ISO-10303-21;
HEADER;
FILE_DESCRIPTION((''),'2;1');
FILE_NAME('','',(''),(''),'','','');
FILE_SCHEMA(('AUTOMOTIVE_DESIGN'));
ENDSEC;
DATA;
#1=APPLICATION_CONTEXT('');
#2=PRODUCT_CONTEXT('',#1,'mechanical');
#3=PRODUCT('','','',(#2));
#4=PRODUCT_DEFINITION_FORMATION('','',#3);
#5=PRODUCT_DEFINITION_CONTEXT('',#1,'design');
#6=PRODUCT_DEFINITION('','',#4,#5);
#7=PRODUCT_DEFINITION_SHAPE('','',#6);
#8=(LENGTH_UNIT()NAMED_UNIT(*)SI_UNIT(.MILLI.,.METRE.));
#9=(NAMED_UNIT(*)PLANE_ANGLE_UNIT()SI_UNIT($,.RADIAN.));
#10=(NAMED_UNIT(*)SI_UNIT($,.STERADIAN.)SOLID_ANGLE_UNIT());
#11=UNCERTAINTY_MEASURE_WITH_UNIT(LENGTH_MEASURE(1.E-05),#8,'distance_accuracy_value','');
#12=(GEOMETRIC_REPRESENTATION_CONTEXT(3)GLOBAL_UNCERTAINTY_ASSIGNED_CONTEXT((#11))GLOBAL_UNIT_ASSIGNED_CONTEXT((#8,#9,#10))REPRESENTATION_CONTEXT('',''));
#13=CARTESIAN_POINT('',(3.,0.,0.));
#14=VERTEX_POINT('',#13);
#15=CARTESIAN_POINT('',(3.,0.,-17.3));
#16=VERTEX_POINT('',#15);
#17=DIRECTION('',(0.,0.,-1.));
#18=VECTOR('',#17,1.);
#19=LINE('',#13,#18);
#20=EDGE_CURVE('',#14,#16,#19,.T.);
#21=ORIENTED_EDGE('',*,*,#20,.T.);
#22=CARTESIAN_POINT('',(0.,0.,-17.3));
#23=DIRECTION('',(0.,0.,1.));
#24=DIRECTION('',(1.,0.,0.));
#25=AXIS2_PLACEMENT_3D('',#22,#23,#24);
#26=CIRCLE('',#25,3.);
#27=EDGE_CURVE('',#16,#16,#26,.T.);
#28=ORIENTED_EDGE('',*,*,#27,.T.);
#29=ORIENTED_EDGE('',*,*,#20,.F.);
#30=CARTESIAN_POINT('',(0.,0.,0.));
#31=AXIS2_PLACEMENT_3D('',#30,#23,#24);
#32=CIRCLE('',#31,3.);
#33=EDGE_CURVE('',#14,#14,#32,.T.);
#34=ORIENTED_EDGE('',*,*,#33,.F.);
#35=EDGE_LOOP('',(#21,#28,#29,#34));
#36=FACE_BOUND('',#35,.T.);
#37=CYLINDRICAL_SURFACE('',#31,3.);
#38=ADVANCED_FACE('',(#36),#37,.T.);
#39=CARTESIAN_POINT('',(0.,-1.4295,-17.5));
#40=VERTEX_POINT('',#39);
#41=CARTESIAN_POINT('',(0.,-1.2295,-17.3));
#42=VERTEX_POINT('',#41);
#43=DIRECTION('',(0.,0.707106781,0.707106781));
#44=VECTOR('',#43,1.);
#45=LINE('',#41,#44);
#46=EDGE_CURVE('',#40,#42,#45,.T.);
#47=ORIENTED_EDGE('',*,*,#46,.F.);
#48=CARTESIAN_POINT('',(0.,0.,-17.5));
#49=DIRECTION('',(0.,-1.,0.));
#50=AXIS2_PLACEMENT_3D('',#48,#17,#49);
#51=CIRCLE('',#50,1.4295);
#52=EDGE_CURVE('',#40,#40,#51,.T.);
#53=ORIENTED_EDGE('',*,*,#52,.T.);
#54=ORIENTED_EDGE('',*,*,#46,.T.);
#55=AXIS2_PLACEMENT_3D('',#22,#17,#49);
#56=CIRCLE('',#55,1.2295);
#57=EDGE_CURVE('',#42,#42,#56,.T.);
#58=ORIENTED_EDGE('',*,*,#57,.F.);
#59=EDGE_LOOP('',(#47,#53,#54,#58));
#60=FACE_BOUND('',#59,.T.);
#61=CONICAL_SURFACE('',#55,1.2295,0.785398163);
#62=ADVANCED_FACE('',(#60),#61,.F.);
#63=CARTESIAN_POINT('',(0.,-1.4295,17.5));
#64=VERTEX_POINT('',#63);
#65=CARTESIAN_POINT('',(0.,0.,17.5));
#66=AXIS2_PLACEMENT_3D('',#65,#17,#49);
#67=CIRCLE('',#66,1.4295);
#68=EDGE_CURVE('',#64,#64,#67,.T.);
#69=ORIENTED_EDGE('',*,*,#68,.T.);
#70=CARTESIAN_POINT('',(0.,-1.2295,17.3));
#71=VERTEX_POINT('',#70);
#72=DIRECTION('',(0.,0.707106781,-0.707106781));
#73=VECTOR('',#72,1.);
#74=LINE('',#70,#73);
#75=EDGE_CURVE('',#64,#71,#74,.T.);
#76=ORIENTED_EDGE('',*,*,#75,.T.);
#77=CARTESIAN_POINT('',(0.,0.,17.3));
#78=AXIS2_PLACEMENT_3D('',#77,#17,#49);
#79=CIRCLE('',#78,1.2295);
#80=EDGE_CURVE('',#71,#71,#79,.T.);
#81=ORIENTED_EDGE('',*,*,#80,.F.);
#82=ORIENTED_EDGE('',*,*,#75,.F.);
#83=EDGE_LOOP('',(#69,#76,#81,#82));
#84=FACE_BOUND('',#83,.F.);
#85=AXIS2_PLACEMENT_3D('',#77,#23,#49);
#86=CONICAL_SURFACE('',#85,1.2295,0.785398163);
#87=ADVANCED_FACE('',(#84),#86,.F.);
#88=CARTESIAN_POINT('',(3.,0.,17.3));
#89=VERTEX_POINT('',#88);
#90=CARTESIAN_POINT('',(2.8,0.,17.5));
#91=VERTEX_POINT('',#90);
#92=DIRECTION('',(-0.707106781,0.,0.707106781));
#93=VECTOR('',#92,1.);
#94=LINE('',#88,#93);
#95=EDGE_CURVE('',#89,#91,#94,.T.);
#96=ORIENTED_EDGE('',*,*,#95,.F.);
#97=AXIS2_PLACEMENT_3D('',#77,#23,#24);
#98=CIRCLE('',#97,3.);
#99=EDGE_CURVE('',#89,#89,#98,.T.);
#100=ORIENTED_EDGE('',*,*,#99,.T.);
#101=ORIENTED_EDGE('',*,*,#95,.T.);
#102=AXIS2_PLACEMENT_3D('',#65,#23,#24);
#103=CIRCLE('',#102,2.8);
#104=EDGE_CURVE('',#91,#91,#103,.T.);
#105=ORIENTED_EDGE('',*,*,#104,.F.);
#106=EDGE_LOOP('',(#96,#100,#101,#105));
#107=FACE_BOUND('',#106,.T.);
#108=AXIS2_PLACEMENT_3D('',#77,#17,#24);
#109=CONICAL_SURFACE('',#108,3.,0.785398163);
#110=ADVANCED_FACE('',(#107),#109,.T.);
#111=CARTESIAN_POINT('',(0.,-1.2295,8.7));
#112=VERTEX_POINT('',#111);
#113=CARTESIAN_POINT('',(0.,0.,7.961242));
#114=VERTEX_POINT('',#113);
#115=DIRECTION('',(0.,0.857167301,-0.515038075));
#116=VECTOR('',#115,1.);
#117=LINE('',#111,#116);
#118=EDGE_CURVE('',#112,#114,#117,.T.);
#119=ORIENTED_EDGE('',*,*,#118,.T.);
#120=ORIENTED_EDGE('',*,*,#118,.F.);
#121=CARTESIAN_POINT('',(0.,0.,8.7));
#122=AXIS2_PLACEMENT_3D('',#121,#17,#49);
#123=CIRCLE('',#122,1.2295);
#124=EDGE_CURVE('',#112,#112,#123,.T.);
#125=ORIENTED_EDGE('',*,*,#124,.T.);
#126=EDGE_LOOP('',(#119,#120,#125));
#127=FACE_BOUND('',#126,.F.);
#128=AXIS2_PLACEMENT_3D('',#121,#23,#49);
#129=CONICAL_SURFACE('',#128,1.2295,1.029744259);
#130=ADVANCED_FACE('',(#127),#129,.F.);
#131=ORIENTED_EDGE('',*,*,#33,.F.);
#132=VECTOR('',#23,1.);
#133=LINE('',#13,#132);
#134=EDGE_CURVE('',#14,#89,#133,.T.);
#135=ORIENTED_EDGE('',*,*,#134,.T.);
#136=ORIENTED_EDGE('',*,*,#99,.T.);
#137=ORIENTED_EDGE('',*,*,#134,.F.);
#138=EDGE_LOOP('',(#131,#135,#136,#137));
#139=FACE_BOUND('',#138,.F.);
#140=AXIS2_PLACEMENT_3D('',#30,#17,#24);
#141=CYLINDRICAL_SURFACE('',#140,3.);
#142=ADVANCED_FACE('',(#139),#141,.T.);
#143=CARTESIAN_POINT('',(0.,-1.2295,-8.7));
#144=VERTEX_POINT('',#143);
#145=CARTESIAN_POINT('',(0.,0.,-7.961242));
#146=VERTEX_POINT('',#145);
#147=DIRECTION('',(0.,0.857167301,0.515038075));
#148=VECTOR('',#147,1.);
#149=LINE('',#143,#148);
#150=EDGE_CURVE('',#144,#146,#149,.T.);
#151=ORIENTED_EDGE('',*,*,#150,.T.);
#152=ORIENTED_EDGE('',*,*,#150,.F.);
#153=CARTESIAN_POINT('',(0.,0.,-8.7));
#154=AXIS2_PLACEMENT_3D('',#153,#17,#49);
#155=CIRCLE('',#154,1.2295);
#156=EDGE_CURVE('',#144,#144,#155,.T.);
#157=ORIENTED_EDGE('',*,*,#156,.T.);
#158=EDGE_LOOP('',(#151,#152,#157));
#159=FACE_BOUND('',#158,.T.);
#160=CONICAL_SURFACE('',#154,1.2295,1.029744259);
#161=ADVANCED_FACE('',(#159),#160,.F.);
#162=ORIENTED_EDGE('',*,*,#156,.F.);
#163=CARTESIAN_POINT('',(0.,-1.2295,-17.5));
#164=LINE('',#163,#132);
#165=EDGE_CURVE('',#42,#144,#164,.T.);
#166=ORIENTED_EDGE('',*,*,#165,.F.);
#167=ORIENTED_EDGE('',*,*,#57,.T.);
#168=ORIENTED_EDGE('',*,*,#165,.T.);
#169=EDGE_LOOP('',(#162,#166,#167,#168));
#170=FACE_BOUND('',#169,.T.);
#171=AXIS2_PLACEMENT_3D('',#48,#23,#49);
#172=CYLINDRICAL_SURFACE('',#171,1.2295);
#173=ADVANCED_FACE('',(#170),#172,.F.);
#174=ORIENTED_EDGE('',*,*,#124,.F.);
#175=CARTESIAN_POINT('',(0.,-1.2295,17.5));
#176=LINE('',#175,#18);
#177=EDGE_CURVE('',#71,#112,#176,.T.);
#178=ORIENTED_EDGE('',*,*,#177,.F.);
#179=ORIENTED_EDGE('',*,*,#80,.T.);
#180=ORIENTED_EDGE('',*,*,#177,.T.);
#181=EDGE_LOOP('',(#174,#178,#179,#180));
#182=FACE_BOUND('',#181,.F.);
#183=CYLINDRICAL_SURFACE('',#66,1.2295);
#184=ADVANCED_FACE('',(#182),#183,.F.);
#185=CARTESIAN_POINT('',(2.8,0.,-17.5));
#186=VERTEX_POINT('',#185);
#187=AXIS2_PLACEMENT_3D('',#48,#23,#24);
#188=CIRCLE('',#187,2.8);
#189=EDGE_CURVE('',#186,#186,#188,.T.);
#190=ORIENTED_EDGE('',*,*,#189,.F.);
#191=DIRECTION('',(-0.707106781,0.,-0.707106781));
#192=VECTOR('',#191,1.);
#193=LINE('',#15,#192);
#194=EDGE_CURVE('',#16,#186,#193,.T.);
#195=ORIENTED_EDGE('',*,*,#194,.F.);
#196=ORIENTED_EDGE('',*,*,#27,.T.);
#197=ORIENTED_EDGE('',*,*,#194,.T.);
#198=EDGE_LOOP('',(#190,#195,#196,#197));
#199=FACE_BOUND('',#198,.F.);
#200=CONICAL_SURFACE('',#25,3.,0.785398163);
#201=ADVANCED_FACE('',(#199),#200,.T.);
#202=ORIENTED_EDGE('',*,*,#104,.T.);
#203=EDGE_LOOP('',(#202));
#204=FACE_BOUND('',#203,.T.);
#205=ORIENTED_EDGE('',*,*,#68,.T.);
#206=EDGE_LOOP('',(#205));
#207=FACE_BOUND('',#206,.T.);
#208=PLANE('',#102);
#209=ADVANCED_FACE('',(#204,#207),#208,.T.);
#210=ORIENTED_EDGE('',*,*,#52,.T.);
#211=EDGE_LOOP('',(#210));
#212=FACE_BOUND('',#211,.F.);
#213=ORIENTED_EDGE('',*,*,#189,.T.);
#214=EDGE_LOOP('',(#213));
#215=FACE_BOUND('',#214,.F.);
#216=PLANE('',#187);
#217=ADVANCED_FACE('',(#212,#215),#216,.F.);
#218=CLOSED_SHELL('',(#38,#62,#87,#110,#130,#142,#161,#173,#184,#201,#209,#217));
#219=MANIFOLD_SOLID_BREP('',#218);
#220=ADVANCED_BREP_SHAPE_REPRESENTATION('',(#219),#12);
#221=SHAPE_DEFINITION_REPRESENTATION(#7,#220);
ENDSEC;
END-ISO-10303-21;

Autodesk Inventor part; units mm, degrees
ref_plane "YZ Plane" through (0, 0, 0) normal (1, 0, 0) x (0, 1, 0)
ref_plane "XZ Plane" through (0, 0, 0) normal (0, 1, 0) x (-1, 0, 0)
ref_plane "XY Plane" through (0, 0, 0) normal (0, 0, 1) x (1, 0, 0)
sketch "スケッチ1" plane through (0, 0, 0) normal (0, 0, 1) x (1, 0, 0)
  circle A0 centre (0, 0) radius 3
  dimension "d13" = 6
extrude "押し出し1" add sketch "スケッチ1" along normal mid plane 35
sketch "スケッチ2" plane through (0, 0, 17.5) normal (0, 0, 1) x (1, 0, 0)
  point P0 (0, 0)
  point P1 (0, 0)
hole "穴1" at (0, 0, 17.5) direction (0, 0, -1) diameter 2.459 depth 8.8 tip angle 118 thread size "M3x0.5" class "6H" standard "ANSI Metric M Profile"
mirror "ミラー1" about plane through (0, 0, 0) normal (0, 0, 1) of "穴1"
chamfer "面取り1" distance 0.2 angle 45 4 edges at (0, 1.2295, 17.5) (-3, 0, 17.5) (-3, 0, -17.5) (0, 1.2295, -17.5)
properties part number "ARF-330" material "鋼、炭素鋼"
